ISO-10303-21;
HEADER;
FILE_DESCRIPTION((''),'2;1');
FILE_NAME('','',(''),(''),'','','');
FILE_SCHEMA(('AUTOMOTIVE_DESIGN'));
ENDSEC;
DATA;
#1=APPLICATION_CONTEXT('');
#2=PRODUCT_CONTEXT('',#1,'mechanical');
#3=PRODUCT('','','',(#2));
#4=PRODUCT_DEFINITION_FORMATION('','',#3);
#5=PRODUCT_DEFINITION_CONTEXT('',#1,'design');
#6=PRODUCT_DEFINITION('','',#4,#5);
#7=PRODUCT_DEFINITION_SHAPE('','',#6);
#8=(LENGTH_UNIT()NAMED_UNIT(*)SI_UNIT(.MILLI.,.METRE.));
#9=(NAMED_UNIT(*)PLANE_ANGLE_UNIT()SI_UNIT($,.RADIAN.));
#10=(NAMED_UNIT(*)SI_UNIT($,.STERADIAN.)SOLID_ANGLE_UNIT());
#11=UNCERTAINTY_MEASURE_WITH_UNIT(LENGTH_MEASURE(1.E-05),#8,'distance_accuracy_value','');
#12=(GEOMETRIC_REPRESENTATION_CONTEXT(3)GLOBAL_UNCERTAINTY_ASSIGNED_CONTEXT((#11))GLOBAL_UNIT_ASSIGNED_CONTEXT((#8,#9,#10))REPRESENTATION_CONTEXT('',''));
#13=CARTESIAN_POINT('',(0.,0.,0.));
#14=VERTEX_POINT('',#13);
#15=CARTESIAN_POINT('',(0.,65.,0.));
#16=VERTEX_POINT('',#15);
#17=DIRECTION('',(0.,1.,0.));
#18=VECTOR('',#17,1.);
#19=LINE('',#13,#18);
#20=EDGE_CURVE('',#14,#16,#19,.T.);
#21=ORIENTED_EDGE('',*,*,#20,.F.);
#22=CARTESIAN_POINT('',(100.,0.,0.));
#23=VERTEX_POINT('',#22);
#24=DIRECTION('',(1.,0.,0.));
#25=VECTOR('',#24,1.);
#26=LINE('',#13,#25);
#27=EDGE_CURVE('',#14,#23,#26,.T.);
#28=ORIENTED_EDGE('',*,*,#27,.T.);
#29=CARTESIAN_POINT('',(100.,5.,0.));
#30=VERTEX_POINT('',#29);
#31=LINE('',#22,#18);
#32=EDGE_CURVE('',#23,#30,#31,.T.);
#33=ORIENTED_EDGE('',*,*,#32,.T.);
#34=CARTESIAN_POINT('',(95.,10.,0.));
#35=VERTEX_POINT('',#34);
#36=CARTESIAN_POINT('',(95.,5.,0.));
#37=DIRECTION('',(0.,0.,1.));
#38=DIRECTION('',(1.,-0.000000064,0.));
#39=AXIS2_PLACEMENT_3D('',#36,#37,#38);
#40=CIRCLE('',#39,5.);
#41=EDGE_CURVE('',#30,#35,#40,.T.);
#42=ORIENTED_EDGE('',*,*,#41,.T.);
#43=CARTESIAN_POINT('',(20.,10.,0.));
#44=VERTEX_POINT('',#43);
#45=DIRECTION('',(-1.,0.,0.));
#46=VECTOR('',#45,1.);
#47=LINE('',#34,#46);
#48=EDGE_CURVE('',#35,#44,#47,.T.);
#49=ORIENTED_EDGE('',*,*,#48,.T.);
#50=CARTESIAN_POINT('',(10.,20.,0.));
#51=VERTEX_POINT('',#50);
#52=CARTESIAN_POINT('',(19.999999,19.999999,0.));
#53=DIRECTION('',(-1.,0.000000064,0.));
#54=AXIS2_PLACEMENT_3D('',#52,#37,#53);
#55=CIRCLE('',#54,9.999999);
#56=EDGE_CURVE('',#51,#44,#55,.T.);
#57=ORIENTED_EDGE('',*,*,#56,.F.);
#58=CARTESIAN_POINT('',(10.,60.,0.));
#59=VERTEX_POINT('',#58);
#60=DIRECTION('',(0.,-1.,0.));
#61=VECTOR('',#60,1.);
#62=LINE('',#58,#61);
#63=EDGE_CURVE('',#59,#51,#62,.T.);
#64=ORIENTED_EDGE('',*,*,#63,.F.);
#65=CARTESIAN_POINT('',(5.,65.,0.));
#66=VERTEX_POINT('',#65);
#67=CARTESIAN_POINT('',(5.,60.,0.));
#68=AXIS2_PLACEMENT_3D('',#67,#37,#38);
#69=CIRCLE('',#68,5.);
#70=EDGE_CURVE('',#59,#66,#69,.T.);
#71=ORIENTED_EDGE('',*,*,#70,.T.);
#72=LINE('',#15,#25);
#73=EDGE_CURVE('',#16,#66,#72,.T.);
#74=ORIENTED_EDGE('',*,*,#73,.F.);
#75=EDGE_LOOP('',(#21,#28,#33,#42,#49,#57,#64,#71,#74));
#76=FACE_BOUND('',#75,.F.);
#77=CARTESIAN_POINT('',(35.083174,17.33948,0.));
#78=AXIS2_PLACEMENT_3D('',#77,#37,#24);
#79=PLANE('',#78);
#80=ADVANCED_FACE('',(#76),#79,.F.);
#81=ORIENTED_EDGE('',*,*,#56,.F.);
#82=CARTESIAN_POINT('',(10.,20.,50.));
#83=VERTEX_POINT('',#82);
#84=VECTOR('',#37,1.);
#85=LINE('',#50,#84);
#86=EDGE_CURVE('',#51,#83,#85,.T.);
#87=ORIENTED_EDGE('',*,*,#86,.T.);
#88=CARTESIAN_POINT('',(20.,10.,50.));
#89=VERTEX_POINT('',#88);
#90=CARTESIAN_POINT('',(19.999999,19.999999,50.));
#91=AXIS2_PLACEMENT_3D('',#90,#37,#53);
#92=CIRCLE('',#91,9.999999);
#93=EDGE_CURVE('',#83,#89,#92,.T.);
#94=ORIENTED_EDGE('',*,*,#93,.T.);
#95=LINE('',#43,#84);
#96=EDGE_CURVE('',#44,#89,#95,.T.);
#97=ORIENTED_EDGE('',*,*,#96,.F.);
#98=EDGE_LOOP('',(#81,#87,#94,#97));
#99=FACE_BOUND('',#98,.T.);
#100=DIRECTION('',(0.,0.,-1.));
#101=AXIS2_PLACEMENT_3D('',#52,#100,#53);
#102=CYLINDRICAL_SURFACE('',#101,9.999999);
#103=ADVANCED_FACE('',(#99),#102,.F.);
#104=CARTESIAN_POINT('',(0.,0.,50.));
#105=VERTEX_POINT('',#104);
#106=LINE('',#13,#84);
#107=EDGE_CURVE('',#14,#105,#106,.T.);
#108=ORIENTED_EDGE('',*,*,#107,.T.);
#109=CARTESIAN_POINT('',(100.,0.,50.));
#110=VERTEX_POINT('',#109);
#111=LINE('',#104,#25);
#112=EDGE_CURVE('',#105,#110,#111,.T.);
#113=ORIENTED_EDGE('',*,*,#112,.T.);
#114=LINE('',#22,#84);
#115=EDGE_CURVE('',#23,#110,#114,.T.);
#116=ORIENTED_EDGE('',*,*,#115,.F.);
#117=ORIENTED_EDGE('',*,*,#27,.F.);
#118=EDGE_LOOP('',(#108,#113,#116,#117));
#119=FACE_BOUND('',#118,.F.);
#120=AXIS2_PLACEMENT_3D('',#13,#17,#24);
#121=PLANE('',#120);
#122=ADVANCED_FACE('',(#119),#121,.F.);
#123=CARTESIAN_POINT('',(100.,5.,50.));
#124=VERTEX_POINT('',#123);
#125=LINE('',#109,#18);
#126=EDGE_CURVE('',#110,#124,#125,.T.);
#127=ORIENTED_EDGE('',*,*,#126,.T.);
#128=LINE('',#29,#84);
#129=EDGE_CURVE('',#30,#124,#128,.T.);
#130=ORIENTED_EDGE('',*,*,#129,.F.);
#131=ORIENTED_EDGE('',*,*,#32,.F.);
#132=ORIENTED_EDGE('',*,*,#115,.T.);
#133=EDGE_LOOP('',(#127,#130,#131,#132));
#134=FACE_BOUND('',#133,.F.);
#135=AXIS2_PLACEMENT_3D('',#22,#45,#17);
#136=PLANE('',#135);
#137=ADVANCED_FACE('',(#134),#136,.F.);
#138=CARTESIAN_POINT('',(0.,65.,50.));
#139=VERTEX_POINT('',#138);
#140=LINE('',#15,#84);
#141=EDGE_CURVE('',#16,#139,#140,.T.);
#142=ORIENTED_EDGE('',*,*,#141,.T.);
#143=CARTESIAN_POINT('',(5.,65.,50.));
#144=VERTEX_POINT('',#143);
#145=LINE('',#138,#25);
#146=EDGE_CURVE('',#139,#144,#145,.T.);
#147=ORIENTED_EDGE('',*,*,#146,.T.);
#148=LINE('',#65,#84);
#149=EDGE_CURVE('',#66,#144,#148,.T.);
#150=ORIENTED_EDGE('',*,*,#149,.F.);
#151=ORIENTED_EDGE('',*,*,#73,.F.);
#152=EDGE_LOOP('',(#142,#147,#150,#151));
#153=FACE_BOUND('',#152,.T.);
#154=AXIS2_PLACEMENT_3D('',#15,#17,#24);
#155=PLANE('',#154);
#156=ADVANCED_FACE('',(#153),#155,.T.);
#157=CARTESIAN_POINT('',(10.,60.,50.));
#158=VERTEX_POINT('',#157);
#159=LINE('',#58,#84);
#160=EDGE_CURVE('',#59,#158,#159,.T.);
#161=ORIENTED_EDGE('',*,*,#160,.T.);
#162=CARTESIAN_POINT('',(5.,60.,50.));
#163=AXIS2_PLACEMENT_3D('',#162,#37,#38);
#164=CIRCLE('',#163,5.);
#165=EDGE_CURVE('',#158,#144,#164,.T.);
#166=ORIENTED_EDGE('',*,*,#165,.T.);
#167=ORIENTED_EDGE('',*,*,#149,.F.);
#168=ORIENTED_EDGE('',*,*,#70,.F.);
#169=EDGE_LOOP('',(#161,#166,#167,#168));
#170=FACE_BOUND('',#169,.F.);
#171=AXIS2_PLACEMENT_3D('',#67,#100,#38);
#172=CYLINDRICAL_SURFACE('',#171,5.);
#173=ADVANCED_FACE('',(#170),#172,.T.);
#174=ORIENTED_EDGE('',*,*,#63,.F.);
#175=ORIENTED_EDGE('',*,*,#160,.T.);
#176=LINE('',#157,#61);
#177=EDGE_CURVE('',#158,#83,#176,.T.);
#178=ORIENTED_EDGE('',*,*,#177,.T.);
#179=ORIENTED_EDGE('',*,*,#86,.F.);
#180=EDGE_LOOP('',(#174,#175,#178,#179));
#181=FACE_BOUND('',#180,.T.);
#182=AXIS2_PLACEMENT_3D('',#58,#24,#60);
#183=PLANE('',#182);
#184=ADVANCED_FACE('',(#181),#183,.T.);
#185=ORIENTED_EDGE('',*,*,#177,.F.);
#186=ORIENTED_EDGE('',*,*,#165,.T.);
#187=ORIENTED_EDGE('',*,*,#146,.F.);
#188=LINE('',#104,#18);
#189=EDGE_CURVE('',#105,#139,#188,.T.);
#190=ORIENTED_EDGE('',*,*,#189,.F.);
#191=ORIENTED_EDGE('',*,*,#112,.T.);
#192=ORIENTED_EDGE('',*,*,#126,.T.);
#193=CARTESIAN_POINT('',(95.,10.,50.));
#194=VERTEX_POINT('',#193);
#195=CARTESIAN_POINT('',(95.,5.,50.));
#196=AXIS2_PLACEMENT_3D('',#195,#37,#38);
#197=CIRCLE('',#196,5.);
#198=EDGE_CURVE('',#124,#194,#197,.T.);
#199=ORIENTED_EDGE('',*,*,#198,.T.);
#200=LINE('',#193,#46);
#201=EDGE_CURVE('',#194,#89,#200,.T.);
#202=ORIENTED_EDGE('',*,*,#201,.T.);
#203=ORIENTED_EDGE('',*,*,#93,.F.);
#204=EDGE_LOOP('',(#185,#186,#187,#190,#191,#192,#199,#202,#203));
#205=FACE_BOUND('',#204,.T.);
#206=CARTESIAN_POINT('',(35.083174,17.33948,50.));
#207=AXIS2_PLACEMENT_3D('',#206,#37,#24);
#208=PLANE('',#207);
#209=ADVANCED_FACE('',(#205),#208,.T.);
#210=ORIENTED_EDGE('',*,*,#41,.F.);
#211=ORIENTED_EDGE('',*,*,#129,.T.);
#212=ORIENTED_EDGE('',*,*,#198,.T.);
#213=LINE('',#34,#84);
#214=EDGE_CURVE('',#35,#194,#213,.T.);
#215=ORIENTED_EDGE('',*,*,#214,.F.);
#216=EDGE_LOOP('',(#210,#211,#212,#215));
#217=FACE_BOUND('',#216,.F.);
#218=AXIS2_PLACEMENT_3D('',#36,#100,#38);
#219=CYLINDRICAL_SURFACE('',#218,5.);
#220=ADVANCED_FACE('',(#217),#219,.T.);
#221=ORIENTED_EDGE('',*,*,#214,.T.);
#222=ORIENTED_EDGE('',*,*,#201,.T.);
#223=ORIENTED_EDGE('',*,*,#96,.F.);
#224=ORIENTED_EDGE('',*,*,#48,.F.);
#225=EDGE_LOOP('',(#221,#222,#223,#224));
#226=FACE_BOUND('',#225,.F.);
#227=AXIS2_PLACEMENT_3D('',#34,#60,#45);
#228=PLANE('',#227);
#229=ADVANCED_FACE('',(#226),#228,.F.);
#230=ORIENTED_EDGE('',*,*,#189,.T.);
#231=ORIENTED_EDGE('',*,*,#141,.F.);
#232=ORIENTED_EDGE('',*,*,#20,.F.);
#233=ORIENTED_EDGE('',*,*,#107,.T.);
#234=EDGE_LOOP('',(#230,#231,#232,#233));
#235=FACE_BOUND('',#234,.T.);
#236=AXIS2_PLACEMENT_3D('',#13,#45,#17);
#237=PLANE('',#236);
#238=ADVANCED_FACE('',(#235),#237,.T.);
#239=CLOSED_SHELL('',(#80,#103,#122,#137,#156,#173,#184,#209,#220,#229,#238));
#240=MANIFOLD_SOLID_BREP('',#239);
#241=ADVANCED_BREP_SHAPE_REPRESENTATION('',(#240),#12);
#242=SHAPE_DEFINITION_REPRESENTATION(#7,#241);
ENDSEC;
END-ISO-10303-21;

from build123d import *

# Parameters (mm, degrees)
EXTRUDE_DEPTH = 50


with BuildPart() as part:
    # Sketch → Extrude (new body)
    with BuildSketch(Plane.XY):
        with BuildLine():
            Line((0, 0), (100, 0))
            Line((100, 0), (100, 5))
            ThreePointArc((100, 5), (98.535534, 8.535534), (95, 10))
            Line((95, 10), (20, 10))
            ThreePointArc((10, 20), (12.928932, 12.928932), (20, 10))
            Line((10, 60), (10, 20))
            ThreePointArc((10, 60), (8.535534, 63.535534), (5, 65))
            Line((0, 65), (5, 65))
            Line((0, 0), (0, 65))
        make_face()
    extrude(amount=EXTRUDE_DEPTH)


solid = part.part
